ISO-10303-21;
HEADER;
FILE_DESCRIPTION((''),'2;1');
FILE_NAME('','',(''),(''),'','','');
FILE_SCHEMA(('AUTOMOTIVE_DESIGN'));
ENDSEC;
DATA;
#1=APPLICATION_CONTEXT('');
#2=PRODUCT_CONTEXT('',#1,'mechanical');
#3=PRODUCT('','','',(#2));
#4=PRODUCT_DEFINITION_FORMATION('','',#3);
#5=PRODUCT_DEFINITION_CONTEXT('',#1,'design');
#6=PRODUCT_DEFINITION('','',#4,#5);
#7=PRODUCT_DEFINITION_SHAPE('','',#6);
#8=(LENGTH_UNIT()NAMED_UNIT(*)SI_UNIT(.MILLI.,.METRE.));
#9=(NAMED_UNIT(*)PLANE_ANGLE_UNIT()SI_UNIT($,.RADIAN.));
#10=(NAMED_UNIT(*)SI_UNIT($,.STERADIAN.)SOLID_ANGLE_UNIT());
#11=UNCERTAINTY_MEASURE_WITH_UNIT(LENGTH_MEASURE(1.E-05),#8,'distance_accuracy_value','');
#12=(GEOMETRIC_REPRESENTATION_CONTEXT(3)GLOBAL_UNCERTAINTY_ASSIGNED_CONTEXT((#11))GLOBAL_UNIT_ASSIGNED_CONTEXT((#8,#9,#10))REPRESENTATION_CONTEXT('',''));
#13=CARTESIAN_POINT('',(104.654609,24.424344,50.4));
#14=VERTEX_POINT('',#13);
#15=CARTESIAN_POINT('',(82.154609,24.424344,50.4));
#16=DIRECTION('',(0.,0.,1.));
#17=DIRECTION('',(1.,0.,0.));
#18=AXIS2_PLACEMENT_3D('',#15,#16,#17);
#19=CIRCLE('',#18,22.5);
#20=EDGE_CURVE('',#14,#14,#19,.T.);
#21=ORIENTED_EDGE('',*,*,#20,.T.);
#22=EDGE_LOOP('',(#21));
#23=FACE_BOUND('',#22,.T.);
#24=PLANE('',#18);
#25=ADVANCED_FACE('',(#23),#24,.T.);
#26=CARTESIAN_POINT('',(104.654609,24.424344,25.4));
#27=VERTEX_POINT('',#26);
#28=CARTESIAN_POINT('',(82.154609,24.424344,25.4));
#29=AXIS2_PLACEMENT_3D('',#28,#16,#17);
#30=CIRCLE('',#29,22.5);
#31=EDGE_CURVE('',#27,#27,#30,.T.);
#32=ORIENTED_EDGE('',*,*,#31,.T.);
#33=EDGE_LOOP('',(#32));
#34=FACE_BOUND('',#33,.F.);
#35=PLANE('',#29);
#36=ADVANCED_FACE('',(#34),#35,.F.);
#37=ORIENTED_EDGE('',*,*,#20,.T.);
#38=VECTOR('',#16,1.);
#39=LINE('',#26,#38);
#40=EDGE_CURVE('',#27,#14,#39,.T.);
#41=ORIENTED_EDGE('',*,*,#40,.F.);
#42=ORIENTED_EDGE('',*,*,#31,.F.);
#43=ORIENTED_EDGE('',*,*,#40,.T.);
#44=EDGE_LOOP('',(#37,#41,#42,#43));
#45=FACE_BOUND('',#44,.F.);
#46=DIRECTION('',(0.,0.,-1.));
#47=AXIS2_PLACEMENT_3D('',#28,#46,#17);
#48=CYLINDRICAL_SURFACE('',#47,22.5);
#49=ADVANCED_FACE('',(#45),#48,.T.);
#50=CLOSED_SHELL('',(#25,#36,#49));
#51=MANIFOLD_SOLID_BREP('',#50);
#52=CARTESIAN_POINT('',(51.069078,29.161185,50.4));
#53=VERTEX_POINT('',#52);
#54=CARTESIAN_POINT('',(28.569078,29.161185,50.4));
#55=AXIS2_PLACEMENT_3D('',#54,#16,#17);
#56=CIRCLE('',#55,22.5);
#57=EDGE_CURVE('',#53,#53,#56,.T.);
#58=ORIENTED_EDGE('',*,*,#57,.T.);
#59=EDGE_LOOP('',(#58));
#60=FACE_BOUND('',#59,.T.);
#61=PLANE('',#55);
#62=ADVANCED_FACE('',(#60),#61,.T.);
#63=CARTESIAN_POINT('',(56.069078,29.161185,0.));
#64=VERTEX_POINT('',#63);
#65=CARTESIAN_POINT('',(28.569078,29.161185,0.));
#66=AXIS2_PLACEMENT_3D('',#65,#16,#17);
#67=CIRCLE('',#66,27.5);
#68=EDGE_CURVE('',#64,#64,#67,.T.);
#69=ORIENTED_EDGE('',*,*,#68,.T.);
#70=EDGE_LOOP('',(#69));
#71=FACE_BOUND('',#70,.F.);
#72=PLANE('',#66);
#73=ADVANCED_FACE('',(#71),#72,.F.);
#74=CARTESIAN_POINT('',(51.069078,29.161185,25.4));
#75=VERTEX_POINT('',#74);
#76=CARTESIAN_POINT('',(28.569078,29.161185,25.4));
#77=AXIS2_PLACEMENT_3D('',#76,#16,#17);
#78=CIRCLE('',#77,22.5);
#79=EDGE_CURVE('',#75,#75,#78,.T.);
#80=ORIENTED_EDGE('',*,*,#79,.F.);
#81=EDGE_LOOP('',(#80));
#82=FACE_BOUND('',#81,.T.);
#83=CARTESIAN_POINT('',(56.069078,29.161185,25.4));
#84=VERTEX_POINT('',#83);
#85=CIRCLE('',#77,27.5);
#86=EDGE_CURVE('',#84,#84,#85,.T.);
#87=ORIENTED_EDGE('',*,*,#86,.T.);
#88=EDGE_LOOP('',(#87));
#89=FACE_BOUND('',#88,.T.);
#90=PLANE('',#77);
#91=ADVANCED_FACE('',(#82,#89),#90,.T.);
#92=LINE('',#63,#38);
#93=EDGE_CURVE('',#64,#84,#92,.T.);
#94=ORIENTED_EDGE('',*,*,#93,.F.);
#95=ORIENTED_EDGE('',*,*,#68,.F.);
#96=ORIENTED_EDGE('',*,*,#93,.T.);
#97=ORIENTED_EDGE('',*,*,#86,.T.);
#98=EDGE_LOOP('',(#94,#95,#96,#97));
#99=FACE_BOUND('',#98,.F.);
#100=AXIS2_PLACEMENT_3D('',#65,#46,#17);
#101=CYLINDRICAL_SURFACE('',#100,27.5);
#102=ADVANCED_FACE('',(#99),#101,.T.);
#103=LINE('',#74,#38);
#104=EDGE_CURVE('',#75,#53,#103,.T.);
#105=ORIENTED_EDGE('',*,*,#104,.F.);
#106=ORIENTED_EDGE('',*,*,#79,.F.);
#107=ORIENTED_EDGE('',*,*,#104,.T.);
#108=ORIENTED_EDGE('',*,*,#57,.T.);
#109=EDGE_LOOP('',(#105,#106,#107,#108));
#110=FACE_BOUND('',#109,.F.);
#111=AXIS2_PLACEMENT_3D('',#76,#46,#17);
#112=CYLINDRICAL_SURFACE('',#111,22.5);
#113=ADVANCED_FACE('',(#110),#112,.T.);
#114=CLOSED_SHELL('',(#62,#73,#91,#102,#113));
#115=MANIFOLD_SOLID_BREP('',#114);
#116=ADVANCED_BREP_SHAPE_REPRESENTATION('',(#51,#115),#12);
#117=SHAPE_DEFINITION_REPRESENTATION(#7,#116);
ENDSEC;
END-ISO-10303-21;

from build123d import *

# Parameters (mm, degrees)
F0_R     = 27.5
F1_DEPTH = 25.4
F2_R     = 22.5
F3_DEPTH = 25
F4_R     = 22.5
F5_DEPTH = 25


with BuildPart() as f1:
    # F0 (on Top) → F1 (new body)
    with BuildSketch(Plane.XY):
        with Locations((28.569078, 29.161185)):
            Circle(F0_R)
    extrude(amount=F1_DEPTH)

    # F2 (on face) → F3 (join)
    with BuildSketch(Plane.XY.offset(25.4)):
        with Locations((28.569078, 29.161185)):
            Circle(F2_R)
    extrude(amount=F3_DEPTH)


with BuildPart() as f5:
    # F4 (on face) → F5 (new body)
    with BuildSketch(Plane.XY.offset(25.4)):
        with Locations((82.154609, 24.424344)):
            Circle(F4_R)
    extrude(amount=F5_DEPTH)


solid = Compound([f1.part, f5.part])
